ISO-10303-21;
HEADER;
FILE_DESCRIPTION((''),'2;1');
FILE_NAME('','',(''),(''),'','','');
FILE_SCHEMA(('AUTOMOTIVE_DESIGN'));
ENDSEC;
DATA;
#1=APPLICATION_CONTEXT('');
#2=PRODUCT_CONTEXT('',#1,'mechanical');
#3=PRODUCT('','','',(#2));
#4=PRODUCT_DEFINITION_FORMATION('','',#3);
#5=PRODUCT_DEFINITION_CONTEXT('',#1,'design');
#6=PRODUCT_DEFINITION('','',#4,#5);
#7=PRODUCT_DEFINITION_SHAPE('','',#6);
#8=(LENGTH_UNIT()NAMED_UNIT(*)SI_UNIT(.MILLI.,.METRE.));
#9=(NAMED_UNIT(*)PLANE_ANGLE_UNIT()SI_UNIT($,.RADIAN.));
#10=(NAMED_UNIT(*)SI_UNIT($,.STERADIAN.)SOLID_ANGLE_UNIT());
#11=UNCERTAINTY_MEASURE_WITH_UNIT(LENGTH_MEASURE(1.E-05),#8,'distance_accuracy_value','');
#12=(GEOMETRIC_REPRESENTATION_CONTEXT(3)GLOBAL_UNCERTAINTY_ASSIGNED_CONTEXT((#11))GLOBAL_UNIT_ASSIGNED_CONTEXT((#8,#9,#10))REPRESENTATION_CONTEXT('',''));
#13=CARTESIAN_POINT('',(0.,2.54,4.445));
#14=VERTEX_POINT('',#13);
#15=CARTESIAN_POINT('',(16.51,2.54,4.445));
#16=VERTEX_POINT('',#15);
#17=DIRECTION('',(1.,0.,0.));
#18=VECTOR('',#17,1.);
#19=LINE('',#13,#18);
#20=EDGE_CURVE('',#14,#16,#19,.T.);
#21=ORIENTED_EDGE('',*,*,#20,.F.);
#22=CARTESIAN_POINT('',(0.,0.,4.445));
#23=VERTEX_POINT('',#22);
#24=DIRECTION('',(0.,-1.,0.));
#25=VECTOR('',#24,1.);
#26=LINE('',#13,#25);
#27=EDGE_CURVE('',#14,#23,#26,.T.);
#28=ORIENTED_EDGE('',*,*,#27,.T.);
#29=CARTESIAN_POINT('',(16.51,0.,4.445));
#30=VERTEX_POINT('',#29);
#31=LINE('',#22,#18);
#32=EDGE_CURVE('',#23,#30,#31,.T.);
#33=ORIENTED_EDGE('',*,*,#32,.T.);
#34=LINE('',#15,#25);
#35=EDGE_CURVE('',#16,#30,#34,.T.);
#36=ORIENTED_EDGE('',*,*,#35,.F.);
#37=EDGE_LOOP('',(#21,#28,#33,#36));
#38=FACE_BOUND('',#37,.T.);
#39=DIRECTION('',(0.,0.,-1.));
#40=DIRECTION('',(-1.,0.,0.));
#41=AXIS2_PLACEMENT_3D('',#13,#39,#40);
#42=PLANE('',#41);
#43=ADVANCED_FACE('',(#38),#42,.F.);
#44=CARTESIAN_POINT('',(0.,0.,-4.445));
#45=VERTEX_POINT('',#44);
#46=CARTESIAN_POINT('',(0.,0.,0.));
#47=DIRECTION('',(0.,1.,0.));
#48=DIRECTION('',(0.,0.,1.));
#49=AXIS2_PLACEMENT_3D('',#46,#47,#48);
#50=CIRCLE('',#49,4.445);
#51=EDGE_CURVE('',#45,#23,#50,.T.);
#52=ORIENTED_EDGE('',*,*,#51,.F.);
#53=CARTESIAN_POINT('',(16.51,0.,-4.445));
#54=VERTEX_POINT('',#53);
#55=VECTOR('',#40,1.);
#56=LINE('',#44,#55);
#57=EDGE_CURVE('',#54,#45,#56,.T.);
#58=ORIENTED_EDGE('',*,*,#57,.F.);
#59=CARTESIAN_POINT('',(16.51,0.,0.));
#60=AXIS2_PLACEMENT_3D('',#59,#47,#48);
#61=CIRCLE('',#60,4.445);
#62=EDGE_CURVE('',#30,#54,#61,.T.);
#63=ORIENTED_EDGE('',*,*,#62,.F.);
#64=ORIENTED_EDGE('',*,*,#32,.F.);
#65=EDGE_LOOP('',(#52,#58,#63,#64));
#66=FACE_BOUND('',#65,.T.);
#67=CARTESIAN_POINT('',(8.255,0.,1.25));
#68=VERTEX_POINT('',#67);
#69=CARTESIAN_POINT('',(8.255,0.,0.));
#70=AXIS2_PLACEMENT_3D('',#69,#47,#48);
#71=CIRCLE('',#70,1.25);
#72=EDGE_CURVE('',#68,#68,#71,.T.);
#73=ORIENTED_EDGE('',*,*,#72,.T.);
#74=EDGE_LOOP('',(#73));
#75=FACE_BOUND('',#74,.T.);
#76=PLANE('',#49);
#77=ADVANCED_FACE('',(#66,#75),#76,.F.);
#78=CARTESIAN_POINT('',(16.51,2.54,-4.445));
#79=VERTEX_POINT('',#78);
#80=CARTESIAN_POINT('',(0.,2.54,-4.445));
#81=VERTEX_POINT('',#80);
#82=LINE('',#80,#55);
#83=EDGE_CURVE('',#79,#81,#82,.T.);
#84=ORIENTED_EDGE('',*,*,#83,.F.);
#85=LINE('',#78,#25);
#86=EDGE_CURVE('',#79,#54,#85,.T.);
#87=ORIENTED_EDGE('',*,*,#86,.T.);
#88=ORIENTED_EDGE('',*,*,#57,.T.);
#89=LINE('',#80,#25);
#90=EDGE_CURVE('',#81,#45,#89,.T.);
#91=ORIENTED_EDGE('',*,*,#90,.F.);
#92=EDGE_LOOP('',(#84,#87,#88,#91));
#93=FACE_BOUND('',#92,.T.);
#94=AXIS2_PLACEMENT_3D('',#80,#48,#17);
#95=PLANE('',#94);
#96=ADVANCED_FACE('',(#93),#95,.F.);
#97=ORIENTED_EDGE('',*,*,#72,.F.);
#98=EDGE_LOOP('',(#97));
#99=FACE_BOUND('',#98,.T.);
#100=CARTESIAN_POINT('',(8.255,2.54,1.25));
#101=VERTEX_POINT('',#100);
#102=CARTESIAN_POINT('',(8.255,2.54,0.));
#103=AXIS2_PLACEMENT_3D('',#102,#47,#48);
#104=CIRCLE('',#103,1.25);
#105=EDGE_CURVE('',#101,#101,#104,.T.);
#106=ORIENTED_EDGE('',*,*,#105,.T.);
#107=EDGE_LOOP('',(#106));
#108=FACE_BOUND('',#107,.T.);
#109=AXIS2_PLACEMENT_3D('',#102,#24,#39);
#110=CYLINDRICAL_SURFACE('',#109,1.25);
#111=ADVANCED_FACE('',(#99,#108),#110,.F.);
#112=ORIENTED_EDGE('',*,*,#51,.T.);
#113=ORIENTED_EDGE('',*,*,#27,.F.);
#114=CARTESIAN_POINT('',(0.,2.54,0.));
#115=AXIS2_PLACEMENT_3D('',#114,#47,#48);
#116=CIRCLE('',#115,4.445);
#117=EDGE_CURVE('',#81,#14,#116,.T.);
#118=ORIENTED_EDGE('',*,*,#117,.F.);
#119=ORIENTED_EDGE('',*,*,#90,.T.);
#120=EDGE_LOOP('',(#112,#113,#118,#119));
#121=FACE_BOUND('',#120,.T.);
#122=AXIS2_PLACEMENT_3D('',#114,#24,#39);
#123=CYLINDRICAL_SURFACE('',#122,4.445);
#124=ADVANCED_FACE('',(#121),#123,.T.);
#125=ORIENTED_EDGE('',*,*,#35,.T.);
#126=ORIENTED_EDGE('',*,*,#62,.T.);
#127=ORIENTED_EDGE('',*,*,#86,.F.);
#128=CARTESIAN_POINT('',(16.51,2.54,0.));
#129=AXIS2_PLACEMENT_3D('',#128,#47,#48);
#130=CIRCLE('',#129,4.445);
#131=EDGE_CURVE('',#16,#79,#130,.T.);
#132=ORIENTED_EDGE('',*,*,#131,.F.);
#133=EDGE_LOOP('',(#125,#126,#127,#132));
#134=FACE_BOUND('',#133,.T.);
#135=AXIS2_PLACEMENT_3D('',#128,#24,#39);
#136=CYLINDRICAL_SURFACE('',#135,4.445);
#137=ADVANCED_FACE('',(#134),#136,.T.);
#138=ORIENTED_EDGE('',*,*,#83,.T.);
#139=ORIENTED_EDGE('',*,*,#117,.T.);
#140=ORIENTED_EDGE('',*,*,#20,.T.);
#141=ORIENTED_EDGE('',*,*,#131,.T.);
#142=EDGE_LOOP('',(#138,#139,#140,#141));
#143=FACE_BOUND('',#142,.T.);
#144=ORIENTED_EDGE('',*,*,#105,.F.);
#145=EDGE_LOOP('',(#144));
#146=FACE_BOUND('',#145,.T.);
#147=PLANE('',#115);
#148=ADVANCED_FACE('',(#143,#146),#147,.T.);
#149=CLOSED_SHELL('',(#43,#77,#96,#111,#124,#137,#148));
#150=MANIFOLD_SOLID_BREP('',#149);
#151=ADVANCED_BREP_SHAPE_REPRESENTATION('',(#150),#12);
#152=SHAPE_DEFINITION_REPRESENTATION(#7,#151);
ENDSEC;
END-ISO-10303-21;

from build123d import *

# Parameters (mm, degrees)
SKETCH1_R           = 1.25
BOSS_EXTRUDE1_DEPTH = 2.54


with BuildPart() as part:
    # Sketch1 → Boss-Extrude1 (new body)
    with BuildSketch(Plane(origin=(0, 0, 0), x_dir=(1, 0, 0), z_dir=(0, 1, 0))):
        with BuildLine():
            Line((0, 4.445), (16.51, 4.445))
            ThreePointArc((16.51, 4.445), (20.955, 0), (16.51, -4.445))
            Line((16.51, -4.445), (0, -4.445))
            ThreePointArc((0, -4.445), (-4.445, 0), (0, 4.445))
        make_face()
        with Locations(Location((8.255, 0, 0), (0, 0, 270))):
            Circle(SKETCH1_R, mode=Mode.SUBTRACT)
    extrude(amount=BOSS_EXTRUDE1_DEPTH)


solid = part.part
